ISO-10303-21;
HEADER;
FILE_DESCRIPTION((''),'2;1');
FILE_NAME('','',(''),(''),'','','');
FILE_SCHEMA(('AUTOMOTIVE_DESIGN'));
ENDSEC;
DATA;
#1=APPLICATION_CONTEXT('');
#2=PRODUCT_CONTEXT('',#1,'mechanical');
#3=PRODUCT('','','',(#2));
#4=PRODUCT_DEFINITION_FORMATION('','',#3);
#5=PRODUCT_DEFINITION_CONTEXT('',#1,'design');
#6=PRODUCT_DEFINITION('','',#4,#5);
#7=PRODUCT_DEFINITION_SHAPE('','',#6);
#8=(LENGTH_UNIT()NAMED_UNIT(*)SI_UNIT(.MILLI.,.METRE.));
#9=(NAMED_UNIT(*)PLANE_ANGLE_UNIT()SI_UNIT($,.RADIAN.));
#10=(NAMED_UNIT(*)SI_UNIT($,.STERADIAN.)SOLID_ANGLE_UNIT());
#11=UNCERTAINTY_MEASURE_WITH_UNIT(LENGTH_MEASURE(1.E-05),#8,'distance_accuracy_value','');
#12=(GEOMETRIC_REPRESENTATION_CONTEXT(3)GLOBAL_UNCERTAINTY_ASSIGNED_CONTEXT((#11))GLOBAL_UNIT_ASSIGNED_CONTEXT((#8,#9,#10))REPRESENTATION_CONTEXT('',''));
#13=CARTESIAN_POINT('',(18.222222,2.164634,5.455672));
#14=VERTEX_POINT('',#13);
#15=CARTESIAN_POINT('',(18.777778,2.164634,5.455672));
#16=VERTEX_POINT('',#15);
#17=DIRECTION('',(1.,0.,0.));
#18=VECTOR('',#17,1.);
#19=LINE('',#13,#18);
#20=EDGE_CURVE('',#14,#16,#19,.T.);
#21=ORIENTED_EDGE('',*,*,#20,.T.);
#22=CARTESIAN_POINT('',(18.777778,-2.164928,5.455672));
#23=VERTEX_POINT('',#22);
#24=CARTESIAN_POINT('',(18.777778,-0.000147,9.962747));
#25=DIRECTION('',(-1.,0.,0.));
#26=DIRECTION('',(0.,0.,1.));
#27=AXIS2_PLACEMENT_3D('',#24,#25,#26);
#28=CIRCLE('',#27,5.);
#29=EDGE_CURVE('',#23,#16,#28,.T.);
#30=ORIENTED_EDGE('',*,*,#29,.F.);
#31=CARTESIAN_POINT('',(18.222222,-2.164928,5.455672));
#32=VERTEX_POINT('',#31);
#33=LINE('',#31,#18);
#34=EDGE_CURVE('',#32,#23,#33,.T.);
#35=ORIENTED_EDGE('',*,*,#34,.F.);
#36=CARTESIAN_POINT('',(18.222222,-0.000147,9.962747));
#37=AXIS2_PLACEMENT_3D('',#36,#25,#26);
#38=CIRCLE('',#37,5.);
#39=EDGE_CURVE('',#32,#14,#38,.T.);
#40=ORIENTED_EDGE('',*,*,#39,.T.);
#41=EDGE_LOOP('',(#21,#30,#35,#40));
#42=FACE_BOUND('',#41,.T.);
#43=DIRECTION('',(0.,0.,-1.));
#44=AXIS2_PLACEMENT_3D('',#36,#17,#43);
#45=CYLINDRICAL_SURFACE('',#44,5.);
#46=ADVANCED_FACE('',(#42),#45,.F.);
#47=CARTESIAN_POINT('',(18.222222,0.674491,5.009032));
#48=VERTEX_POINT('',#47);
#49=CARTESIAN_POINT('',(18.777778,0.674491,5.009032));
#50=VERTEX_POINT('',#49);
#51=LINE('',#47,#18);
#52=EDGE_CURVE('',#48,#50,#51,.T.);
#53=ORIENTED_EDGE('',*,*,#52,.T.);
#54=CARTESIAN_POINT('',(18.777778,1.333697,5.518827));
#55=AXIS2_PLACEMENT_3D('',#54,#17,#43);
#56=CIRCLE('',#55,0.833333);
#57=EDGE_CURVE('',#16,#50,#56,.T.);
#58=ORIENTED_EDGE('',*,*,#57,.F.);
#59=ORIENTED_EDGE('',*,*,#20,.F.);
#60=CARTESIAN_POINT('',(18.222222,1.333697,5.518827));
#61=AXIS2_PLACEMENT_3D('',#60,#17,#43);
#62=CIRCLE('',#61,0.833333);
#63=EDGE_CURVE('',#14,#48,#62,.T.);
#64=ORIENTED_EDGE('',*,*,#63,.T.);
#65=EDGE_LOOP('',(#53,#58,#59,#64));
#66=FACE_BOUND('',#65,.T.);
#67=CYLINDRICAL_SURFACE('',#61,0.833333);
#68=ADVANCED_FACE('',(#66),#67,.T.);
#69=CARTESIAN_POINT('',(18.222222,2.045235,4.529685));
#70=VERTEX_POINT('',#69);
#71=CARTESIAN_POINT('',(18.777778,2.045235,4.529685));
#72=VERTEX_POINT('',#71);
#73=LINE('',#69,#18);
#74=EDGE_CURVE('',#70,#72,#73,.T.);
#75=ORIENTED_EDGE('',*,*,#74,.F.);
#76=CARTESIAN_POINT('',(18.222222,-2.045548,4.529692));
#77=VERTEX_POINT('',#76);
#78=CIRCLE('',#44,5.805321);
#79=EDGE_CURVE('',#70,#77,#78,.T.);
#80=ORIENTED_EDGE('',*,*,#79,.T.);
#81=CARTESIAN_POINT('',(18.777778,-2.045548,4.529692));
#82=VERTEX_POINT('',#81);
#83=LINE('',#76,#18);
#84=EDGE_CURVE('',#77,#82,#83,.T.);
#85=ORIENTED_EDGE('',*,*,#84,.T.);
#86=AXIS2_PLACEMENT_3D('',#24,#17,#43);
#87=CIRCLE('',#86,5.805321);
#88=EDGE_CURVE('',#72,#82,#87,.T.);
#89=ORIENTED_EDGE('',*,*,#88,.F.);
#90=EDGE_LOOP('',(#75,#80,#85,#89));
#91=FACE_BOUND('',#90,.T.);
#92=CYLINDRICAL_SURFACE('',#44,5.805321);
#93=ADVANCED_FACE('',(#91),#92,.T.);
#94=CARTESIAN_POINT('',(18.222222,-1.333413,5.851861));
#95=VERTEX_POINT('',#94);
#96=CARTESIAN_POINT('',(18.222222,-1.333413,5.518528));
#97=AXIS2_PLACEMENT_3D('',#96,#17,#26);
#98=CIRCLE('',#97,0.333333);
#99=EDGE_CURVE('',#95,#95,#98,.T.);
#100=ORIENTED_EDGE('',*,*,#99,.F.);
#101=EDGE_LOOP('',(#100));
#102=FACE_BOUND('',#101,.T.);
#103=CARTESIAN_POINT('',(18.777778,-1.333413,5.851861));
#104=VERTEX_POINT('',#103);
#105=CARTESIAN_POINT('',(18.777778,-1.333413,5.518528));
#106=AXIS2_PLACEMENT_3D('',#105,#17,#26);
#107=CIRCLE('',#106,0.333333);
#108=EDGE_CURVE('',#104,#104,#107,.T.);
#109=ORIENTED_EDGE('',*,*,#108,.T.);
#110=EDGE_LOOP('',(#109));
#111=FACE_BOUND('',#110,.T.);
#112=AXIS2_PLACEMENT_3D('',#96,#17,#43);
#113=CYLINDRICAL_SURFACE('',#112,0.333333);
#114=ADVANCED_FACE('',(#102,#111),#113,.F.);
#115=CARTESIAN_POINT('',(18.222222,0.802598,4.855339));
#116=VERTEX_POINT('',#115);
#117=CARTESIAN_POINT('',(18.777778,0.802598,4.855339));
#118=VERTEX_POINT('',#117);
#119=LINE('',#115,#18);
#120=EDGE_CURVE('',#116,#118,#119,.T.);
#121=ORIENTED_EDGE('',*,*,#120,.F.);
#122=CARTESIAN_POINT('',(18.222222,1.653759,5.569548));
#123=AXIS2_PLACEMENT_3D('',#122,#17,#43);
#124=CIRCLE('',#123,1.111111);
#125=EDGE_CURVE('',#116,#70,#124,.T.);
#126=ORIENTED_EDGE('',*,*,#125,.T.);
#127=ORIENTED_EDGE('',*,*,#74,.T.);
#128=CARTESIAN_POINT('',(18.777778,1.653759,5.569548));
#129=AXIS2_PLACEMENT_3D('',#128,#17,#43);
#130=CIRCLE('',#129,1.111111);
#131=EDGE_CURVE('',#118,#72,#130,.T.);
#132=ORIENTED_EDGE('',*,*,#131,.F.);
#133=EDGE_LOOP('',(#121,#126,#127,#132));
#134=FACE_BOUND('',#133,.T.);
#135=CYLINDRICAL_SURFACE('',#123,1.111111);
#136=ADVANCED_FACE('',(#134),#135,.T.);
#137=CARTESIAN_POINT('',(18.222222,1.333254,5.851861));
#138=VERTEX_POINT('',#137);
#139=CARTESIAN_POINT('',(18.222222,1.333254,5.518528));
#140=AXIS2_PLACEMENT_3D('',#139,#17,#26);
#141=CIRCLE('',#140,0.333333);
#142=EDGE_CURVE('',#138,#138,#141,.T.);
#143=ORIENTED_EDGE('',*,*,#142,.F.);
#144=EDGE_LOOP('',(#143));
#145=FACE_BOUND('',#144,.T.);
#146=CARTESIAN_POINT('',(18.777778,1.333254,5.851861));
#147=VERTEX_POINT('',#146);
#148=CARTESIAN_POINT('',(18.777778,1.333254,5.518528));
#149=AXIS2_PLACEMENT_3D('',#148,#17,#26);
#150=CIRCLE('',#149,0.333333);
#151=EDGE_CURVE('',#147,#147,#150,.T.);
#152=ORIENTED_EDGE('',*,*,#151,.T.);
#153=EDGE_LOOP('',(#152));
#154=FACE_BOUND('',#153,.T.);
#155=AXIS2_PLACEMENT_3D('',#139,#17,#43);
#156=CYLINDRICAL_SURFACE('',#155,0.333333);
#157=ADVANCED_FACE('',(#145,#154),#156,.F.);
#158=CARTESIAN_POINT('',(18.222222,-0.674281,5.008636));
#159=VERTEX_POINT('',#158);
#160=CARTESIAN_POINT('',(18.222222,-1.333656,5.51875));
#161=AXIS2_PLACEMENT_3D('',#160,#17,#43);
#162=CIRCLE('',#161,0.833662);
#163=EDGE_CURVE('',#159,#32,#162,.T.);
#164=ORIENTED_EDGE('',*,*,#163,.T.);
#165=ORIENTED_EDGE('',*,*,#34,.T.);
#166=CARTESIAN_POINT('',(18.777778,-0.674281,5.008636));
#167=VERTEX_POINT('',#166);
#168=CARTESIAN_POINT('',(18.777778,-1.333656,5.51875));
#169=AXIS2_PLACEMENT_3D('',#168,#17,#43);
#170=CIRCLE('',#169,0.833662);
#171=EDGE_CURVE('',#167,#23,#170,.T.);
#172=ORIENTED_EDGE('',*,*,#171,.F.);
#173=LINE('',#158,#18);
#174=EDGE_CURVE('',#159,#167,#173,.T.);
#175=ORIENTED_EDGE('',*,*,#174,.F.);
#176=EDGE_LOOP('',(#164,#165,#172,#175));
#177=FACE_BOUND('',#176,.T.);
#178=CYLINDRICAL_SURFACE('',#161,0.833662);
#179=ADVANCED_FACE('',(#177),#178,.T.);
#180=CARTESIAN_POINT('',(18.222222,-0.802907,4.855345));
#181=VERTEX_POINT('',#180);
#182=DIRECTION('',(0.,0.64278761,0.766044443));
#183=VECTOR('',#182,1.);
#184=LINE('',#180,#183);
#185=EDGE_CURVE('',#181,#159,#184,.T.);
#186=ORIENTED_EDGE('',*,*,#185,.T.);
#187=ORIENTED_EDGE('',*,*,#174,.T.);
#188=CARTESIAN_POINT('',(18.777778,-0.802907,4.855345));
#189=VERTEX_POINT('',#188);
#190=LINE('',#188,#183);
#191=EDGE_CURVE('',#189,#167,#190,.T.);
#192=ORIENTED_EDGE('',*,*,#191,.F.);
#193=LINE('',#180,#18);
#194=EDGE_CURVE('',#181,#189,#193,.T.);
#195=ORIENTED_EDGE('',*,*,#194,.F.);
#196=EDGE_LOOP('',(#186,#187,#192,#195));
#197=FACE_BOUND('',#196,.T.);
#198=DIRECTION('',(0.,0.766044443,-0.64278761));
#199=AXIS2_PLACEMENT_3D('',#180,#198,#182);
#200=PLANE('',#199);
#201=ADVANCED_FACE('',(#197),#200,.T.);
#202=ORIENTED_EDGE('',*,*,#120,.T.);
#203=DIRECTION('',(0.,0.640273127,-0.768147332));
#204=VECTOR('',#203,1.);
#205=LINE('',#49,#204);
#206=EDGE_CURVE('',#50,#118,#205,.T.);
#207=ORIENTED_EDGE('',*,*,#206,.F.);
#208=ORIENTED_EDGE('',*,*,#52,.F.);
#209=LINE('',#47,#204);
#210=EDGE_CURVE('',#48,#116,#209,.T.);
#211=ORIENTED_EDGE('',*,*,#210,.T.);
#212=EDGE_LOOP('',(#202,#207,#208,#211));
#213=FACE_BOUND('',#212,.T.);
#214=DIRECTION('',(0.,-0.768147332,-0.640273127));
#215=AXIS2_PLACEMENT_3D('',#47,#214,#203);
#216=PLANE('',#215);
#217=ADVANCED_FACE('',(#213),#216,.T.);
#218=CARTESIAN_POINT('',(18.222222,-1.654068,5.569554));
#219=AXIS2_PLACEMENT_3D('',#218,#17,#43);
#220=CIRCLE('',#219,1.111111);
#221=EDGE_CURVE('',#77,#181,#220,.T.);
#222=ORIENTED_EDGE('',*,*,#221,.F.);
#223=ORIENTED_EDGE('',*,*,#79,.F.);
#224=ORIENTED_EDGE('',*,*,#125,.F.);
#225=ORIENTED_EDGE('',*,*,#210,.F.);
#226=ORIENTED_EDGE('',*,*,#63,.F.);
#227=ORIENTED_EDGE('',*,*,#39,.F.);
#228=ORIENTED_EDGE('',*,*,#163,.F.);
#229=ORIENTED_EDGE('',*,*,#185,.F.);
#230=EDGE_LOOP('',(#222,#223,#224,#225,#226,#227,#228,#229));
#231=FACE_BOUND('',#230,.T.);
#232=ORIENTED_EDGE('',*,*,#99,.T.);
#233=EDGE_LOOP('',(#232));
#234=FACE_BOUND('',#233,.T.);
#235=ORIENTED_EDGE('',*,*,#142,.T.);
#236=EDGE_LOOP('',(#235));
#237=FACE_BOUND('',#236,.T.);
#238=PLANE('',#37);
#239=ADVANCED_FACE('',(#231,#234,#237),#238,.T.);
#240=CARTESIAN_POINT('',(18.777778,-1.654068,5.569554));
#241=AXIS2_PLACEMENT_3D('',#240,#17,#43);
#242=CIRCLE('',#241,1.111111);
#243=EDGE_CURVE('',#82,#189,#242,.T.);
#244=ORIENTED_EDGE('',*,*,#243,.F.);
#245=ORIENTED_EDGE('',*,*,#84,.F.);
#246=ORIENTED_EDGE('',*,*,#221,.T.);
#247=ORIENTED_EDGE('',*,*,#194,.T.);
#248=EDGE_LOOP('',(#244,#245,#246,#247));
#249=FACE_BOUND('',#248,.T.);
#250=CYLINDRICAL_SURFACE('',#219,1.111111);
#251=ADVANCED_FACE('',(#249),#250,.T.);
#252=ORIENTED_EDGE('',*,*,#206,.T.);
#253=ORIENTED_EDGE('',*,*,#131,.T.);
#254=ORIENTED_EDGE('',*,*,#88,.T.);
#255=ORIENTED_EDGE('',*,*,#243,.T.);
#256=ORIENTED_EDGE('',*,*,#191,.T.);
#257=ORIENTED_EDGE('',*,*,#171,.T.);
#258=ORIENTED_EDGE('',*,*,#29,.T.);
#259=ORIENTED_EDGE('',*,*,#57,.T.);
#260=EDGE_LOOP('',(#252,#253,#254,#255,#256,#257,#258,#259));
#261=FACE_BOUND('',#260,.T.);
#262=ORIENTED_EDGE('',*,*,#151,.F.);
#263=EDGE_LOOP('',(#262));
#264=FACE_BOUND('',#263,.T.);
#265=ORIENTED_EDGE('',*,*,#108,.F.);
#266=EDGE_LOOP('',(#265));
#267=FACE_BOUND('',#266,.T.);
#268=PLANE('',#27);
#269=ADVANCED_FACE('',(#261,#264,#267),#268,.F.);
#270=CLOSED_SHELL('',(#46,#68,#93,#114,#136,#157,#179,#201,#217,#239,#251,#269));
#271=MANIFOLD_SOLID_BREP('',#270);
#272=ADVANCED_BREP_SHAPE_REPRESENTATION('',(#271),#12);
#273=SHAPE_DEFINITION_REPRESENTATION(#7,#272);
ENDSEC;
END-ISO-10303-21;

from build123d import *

# Parameters (mm, degrees)
SKETCH1_R           = 0.6
BOSS_EXTRUDE1_DEPTH = 1
SCALE1_SCALE        = 0.555555556


with BuildPart() as part:
    # Sketch1 → Boss-Extrude1 (new body)
    with BuildSketch(Plane(origin=(19, 0, 0), x_dir=(0, 0, -1), z_dir=(1, 0, 0))):
        with BuildLine():
            Line((-1.082906578, 1.214226965), (-0.806260325, 1.444819657))
            ThreePointArc((-0.806260325, 1.444819657), (-0.157167996, 2.46989624), (-0.220083072, 3.681566388))
            ThreePointArc((-0.220083072, 3.681566388), (-20.449170804, -0.000103807), (-0.220095755, -3.681843689))
            ThreePointArc((-0.220095755, -3.681843689), (-0.157177378, -2.470170425), (-0.806270581, -1.44509051))
            Line((-0.806270581, -1.44509051), (-1.082193901, -1.213563353))
            ThreePointArc((-1.082193901, -1.213563353), (-3.437745717, -1.969386585), (-1.886859109, -3.896727719))
            ThreePointArc((-1.886859109, -3.896727719), (-18.999593972, -0.000121806), (-1.886859109, 3.896484108))
            ThreePointArc((-1.886859109, 3.896484108), (-3.437385157, 1.97013231), (-1.082906578, 1.214226965))
        make_face()
        with Locations(Location((-2.00000003, -2.4, 0), (0, 0, 180))):
            Circle(SKETCH1_R, mode=Mode.SUBTRACT)
        with Locations(Location((-2.00000003, 2.4, 0), (0, 0, 180))):
            Circle(SKETCH1_R, mode=Mode.SUBTRACT)
    extrude(amount=-BOSS_EXTRUDE1_DEPTH)


with BuildPart() as part_1:
    # Scale1: scaled about (18.5, -0.000178585, 9.916688181)
    add(part.part.scale(SCALE1_SCALE).moved(Location((8.222222222, -7.9371e-05, 4.407416969))))


solid = part_1.part
